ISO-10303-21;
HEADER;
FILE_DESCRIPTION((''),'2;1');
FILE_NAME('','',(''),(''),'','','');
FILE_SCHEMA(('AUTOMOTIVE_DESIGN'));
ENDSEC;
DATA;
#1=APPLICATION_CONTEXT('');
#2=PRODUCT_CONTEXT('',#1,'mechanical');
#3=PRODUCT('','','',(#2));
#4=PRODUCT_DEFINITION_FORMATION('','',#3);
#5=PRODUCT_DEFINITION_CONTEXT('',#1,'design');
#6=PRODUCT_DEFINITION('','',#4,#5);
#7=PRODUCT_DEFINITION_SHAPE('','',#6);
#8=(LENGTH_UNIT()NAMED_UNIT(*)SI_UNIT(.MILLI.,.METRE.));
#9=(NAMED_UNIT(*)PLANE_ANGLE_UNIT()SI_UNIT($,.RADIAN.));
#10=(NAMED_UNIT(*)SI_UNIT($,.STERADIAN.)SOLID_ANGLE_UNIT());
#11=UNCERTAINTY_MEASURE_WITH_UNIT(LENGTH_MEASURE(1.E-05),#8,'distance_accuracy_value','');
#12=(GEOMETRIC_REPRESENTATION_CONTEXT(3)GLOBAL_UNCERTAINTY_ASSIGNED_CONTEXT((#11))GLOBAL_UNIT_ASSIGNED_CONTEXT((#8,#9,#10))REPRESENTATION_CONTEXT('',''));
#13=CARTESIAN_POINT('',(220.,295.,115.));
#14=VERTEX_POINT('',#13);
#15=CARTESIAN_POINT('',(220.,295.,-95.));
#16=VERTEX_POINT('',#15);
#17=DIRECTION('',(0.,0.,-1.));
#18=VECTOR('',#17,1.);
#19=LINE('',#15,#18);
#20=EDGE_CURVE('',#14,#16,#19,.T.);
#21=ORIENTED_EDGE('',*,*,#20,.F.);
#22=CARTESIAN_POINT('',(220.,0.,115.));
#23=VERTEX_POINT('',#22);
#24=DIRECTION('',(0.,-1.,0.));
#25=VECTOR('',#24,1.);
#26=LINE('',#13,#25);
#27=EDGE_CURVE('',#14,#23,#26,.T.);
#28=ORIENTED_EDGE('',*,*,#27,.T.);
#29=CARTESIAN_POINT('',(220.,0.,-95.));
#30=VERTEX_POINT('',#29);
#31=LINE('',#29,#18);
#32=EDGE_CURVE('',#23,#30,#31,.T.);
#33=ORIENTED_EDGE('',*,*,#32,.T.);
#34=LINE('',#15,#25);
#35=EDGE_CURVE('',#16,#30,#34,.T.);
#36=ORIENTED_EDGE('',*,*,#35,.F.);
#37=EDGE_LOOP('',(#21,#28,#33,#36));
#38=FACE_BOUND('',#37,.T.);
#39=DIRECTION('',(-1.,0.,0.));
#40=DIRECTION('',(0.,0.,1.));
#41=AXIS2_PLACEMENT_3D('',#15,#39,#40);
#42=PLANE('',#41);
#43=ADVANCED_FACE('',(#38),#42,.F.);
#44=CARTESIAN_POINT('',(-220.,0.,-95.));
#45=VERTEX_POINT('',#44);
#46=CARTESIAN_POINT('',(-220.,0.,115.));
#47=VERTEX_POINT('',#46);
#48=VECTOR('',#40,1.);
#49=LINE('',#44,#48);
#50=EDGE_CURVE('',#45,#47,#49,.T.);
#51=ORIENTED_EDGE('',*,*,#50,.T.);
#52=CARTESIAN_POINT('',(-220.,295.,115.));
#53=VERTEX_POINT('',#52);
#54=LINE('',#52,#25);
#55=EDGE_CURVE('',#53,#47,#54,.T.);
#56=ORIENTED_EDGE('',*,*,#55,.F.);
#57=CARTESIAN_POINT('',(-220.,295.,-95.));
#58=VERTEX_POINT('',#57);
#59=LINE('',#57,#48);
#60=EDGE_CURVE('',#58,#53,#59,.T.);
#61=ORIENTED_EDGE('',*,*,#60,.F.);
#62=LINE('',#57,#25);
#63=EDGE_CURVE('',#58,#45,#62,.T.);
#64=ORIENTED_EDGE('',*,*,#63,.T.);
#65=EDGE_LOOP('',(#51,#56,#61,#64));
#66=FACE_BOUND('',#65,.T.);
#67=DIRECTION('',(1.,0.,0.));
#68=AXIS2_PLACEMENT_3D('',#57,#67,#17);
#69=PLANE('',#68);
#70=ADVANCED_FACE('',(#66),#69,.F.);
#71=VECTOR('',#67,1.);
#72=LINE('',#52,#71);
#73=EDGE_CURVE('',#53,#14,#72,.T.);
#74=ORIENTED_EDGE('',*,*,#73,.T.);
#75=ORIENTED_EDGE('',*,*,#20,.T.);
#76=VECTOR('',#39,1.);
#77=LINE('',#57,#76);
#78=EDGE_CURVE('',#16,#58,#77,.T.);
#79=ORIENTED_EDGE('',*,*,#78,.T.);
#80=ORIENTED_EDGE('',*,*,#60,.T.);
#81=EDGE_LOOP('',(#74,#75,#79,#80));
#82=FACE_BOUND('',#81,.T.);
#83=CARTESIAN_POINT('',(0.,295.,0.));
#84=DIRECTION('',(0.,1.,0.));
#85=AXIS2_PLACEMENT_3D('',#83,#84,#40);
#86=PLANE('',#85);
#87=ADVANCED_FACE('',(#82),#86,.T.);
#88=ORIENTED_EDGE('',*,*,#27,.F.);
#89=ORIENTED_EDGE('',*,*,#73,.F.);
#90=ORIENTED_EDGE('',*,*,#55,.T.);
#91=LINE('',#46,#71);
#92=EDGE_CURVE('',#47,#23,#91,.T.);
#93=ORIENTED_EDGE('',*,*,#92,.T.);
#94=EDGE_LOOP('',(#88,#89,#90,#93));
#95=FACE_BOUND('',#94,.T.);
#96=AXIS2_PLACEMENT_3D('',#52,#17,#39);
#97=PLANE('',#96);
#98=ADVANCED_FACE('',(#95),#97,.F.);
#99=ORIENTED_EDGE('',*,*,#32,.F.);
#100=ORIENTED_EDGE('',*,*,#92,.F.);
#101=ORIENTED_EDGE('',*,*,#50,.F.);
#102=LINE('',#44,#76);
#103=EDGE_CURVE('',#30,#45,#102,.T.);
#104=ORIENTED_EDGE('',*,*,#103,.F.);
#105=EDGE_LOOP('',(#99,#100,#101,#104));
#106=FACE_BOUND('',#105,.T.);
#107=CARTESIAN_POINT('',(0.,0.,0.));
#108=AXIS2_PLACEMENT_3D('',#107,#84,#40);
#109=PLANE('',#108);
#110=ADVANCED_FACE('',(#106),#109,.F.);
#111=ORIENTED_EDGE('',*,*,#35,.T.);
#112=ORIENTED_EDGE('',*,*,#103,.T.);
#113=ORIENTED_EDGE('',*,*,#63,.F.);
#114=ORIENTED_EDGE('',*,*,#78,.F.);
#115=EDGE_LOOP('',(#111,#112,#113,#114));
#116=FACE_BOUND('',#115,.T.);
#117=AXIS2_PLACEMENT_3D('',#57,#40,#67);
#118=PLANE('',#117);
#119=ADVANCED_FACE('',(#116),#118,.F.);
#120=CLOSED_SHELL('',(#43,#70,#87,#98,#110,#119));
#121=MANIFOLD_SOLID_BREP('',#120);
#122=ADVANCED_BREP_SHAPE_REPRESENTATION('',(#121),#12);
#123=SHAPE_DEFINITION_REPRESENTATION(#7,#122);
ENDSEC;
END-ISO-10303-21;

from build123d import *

# Parameters (mm, degrees)
ESQUISSE1_W        = 440
ESQUISSE1_H        = 210
BOSS_EXTRU_1_DEPTH = 295


with BuildPart() as part:
    # Esquisse1 → Boss.-Extru.1 (new body)
    with BuildSketch(Plane(origin=(0, 0, 0), x_dir=(1, 0, 0), z_dir=(0, 1, 0))):
        with Locations((0, -10)):
            Rectangle(ESQUISSE1_W, ESQUISSE1_H)
    extrude(amount=BOSS_EXTRU_1_DEPTH)


solid = part.part
